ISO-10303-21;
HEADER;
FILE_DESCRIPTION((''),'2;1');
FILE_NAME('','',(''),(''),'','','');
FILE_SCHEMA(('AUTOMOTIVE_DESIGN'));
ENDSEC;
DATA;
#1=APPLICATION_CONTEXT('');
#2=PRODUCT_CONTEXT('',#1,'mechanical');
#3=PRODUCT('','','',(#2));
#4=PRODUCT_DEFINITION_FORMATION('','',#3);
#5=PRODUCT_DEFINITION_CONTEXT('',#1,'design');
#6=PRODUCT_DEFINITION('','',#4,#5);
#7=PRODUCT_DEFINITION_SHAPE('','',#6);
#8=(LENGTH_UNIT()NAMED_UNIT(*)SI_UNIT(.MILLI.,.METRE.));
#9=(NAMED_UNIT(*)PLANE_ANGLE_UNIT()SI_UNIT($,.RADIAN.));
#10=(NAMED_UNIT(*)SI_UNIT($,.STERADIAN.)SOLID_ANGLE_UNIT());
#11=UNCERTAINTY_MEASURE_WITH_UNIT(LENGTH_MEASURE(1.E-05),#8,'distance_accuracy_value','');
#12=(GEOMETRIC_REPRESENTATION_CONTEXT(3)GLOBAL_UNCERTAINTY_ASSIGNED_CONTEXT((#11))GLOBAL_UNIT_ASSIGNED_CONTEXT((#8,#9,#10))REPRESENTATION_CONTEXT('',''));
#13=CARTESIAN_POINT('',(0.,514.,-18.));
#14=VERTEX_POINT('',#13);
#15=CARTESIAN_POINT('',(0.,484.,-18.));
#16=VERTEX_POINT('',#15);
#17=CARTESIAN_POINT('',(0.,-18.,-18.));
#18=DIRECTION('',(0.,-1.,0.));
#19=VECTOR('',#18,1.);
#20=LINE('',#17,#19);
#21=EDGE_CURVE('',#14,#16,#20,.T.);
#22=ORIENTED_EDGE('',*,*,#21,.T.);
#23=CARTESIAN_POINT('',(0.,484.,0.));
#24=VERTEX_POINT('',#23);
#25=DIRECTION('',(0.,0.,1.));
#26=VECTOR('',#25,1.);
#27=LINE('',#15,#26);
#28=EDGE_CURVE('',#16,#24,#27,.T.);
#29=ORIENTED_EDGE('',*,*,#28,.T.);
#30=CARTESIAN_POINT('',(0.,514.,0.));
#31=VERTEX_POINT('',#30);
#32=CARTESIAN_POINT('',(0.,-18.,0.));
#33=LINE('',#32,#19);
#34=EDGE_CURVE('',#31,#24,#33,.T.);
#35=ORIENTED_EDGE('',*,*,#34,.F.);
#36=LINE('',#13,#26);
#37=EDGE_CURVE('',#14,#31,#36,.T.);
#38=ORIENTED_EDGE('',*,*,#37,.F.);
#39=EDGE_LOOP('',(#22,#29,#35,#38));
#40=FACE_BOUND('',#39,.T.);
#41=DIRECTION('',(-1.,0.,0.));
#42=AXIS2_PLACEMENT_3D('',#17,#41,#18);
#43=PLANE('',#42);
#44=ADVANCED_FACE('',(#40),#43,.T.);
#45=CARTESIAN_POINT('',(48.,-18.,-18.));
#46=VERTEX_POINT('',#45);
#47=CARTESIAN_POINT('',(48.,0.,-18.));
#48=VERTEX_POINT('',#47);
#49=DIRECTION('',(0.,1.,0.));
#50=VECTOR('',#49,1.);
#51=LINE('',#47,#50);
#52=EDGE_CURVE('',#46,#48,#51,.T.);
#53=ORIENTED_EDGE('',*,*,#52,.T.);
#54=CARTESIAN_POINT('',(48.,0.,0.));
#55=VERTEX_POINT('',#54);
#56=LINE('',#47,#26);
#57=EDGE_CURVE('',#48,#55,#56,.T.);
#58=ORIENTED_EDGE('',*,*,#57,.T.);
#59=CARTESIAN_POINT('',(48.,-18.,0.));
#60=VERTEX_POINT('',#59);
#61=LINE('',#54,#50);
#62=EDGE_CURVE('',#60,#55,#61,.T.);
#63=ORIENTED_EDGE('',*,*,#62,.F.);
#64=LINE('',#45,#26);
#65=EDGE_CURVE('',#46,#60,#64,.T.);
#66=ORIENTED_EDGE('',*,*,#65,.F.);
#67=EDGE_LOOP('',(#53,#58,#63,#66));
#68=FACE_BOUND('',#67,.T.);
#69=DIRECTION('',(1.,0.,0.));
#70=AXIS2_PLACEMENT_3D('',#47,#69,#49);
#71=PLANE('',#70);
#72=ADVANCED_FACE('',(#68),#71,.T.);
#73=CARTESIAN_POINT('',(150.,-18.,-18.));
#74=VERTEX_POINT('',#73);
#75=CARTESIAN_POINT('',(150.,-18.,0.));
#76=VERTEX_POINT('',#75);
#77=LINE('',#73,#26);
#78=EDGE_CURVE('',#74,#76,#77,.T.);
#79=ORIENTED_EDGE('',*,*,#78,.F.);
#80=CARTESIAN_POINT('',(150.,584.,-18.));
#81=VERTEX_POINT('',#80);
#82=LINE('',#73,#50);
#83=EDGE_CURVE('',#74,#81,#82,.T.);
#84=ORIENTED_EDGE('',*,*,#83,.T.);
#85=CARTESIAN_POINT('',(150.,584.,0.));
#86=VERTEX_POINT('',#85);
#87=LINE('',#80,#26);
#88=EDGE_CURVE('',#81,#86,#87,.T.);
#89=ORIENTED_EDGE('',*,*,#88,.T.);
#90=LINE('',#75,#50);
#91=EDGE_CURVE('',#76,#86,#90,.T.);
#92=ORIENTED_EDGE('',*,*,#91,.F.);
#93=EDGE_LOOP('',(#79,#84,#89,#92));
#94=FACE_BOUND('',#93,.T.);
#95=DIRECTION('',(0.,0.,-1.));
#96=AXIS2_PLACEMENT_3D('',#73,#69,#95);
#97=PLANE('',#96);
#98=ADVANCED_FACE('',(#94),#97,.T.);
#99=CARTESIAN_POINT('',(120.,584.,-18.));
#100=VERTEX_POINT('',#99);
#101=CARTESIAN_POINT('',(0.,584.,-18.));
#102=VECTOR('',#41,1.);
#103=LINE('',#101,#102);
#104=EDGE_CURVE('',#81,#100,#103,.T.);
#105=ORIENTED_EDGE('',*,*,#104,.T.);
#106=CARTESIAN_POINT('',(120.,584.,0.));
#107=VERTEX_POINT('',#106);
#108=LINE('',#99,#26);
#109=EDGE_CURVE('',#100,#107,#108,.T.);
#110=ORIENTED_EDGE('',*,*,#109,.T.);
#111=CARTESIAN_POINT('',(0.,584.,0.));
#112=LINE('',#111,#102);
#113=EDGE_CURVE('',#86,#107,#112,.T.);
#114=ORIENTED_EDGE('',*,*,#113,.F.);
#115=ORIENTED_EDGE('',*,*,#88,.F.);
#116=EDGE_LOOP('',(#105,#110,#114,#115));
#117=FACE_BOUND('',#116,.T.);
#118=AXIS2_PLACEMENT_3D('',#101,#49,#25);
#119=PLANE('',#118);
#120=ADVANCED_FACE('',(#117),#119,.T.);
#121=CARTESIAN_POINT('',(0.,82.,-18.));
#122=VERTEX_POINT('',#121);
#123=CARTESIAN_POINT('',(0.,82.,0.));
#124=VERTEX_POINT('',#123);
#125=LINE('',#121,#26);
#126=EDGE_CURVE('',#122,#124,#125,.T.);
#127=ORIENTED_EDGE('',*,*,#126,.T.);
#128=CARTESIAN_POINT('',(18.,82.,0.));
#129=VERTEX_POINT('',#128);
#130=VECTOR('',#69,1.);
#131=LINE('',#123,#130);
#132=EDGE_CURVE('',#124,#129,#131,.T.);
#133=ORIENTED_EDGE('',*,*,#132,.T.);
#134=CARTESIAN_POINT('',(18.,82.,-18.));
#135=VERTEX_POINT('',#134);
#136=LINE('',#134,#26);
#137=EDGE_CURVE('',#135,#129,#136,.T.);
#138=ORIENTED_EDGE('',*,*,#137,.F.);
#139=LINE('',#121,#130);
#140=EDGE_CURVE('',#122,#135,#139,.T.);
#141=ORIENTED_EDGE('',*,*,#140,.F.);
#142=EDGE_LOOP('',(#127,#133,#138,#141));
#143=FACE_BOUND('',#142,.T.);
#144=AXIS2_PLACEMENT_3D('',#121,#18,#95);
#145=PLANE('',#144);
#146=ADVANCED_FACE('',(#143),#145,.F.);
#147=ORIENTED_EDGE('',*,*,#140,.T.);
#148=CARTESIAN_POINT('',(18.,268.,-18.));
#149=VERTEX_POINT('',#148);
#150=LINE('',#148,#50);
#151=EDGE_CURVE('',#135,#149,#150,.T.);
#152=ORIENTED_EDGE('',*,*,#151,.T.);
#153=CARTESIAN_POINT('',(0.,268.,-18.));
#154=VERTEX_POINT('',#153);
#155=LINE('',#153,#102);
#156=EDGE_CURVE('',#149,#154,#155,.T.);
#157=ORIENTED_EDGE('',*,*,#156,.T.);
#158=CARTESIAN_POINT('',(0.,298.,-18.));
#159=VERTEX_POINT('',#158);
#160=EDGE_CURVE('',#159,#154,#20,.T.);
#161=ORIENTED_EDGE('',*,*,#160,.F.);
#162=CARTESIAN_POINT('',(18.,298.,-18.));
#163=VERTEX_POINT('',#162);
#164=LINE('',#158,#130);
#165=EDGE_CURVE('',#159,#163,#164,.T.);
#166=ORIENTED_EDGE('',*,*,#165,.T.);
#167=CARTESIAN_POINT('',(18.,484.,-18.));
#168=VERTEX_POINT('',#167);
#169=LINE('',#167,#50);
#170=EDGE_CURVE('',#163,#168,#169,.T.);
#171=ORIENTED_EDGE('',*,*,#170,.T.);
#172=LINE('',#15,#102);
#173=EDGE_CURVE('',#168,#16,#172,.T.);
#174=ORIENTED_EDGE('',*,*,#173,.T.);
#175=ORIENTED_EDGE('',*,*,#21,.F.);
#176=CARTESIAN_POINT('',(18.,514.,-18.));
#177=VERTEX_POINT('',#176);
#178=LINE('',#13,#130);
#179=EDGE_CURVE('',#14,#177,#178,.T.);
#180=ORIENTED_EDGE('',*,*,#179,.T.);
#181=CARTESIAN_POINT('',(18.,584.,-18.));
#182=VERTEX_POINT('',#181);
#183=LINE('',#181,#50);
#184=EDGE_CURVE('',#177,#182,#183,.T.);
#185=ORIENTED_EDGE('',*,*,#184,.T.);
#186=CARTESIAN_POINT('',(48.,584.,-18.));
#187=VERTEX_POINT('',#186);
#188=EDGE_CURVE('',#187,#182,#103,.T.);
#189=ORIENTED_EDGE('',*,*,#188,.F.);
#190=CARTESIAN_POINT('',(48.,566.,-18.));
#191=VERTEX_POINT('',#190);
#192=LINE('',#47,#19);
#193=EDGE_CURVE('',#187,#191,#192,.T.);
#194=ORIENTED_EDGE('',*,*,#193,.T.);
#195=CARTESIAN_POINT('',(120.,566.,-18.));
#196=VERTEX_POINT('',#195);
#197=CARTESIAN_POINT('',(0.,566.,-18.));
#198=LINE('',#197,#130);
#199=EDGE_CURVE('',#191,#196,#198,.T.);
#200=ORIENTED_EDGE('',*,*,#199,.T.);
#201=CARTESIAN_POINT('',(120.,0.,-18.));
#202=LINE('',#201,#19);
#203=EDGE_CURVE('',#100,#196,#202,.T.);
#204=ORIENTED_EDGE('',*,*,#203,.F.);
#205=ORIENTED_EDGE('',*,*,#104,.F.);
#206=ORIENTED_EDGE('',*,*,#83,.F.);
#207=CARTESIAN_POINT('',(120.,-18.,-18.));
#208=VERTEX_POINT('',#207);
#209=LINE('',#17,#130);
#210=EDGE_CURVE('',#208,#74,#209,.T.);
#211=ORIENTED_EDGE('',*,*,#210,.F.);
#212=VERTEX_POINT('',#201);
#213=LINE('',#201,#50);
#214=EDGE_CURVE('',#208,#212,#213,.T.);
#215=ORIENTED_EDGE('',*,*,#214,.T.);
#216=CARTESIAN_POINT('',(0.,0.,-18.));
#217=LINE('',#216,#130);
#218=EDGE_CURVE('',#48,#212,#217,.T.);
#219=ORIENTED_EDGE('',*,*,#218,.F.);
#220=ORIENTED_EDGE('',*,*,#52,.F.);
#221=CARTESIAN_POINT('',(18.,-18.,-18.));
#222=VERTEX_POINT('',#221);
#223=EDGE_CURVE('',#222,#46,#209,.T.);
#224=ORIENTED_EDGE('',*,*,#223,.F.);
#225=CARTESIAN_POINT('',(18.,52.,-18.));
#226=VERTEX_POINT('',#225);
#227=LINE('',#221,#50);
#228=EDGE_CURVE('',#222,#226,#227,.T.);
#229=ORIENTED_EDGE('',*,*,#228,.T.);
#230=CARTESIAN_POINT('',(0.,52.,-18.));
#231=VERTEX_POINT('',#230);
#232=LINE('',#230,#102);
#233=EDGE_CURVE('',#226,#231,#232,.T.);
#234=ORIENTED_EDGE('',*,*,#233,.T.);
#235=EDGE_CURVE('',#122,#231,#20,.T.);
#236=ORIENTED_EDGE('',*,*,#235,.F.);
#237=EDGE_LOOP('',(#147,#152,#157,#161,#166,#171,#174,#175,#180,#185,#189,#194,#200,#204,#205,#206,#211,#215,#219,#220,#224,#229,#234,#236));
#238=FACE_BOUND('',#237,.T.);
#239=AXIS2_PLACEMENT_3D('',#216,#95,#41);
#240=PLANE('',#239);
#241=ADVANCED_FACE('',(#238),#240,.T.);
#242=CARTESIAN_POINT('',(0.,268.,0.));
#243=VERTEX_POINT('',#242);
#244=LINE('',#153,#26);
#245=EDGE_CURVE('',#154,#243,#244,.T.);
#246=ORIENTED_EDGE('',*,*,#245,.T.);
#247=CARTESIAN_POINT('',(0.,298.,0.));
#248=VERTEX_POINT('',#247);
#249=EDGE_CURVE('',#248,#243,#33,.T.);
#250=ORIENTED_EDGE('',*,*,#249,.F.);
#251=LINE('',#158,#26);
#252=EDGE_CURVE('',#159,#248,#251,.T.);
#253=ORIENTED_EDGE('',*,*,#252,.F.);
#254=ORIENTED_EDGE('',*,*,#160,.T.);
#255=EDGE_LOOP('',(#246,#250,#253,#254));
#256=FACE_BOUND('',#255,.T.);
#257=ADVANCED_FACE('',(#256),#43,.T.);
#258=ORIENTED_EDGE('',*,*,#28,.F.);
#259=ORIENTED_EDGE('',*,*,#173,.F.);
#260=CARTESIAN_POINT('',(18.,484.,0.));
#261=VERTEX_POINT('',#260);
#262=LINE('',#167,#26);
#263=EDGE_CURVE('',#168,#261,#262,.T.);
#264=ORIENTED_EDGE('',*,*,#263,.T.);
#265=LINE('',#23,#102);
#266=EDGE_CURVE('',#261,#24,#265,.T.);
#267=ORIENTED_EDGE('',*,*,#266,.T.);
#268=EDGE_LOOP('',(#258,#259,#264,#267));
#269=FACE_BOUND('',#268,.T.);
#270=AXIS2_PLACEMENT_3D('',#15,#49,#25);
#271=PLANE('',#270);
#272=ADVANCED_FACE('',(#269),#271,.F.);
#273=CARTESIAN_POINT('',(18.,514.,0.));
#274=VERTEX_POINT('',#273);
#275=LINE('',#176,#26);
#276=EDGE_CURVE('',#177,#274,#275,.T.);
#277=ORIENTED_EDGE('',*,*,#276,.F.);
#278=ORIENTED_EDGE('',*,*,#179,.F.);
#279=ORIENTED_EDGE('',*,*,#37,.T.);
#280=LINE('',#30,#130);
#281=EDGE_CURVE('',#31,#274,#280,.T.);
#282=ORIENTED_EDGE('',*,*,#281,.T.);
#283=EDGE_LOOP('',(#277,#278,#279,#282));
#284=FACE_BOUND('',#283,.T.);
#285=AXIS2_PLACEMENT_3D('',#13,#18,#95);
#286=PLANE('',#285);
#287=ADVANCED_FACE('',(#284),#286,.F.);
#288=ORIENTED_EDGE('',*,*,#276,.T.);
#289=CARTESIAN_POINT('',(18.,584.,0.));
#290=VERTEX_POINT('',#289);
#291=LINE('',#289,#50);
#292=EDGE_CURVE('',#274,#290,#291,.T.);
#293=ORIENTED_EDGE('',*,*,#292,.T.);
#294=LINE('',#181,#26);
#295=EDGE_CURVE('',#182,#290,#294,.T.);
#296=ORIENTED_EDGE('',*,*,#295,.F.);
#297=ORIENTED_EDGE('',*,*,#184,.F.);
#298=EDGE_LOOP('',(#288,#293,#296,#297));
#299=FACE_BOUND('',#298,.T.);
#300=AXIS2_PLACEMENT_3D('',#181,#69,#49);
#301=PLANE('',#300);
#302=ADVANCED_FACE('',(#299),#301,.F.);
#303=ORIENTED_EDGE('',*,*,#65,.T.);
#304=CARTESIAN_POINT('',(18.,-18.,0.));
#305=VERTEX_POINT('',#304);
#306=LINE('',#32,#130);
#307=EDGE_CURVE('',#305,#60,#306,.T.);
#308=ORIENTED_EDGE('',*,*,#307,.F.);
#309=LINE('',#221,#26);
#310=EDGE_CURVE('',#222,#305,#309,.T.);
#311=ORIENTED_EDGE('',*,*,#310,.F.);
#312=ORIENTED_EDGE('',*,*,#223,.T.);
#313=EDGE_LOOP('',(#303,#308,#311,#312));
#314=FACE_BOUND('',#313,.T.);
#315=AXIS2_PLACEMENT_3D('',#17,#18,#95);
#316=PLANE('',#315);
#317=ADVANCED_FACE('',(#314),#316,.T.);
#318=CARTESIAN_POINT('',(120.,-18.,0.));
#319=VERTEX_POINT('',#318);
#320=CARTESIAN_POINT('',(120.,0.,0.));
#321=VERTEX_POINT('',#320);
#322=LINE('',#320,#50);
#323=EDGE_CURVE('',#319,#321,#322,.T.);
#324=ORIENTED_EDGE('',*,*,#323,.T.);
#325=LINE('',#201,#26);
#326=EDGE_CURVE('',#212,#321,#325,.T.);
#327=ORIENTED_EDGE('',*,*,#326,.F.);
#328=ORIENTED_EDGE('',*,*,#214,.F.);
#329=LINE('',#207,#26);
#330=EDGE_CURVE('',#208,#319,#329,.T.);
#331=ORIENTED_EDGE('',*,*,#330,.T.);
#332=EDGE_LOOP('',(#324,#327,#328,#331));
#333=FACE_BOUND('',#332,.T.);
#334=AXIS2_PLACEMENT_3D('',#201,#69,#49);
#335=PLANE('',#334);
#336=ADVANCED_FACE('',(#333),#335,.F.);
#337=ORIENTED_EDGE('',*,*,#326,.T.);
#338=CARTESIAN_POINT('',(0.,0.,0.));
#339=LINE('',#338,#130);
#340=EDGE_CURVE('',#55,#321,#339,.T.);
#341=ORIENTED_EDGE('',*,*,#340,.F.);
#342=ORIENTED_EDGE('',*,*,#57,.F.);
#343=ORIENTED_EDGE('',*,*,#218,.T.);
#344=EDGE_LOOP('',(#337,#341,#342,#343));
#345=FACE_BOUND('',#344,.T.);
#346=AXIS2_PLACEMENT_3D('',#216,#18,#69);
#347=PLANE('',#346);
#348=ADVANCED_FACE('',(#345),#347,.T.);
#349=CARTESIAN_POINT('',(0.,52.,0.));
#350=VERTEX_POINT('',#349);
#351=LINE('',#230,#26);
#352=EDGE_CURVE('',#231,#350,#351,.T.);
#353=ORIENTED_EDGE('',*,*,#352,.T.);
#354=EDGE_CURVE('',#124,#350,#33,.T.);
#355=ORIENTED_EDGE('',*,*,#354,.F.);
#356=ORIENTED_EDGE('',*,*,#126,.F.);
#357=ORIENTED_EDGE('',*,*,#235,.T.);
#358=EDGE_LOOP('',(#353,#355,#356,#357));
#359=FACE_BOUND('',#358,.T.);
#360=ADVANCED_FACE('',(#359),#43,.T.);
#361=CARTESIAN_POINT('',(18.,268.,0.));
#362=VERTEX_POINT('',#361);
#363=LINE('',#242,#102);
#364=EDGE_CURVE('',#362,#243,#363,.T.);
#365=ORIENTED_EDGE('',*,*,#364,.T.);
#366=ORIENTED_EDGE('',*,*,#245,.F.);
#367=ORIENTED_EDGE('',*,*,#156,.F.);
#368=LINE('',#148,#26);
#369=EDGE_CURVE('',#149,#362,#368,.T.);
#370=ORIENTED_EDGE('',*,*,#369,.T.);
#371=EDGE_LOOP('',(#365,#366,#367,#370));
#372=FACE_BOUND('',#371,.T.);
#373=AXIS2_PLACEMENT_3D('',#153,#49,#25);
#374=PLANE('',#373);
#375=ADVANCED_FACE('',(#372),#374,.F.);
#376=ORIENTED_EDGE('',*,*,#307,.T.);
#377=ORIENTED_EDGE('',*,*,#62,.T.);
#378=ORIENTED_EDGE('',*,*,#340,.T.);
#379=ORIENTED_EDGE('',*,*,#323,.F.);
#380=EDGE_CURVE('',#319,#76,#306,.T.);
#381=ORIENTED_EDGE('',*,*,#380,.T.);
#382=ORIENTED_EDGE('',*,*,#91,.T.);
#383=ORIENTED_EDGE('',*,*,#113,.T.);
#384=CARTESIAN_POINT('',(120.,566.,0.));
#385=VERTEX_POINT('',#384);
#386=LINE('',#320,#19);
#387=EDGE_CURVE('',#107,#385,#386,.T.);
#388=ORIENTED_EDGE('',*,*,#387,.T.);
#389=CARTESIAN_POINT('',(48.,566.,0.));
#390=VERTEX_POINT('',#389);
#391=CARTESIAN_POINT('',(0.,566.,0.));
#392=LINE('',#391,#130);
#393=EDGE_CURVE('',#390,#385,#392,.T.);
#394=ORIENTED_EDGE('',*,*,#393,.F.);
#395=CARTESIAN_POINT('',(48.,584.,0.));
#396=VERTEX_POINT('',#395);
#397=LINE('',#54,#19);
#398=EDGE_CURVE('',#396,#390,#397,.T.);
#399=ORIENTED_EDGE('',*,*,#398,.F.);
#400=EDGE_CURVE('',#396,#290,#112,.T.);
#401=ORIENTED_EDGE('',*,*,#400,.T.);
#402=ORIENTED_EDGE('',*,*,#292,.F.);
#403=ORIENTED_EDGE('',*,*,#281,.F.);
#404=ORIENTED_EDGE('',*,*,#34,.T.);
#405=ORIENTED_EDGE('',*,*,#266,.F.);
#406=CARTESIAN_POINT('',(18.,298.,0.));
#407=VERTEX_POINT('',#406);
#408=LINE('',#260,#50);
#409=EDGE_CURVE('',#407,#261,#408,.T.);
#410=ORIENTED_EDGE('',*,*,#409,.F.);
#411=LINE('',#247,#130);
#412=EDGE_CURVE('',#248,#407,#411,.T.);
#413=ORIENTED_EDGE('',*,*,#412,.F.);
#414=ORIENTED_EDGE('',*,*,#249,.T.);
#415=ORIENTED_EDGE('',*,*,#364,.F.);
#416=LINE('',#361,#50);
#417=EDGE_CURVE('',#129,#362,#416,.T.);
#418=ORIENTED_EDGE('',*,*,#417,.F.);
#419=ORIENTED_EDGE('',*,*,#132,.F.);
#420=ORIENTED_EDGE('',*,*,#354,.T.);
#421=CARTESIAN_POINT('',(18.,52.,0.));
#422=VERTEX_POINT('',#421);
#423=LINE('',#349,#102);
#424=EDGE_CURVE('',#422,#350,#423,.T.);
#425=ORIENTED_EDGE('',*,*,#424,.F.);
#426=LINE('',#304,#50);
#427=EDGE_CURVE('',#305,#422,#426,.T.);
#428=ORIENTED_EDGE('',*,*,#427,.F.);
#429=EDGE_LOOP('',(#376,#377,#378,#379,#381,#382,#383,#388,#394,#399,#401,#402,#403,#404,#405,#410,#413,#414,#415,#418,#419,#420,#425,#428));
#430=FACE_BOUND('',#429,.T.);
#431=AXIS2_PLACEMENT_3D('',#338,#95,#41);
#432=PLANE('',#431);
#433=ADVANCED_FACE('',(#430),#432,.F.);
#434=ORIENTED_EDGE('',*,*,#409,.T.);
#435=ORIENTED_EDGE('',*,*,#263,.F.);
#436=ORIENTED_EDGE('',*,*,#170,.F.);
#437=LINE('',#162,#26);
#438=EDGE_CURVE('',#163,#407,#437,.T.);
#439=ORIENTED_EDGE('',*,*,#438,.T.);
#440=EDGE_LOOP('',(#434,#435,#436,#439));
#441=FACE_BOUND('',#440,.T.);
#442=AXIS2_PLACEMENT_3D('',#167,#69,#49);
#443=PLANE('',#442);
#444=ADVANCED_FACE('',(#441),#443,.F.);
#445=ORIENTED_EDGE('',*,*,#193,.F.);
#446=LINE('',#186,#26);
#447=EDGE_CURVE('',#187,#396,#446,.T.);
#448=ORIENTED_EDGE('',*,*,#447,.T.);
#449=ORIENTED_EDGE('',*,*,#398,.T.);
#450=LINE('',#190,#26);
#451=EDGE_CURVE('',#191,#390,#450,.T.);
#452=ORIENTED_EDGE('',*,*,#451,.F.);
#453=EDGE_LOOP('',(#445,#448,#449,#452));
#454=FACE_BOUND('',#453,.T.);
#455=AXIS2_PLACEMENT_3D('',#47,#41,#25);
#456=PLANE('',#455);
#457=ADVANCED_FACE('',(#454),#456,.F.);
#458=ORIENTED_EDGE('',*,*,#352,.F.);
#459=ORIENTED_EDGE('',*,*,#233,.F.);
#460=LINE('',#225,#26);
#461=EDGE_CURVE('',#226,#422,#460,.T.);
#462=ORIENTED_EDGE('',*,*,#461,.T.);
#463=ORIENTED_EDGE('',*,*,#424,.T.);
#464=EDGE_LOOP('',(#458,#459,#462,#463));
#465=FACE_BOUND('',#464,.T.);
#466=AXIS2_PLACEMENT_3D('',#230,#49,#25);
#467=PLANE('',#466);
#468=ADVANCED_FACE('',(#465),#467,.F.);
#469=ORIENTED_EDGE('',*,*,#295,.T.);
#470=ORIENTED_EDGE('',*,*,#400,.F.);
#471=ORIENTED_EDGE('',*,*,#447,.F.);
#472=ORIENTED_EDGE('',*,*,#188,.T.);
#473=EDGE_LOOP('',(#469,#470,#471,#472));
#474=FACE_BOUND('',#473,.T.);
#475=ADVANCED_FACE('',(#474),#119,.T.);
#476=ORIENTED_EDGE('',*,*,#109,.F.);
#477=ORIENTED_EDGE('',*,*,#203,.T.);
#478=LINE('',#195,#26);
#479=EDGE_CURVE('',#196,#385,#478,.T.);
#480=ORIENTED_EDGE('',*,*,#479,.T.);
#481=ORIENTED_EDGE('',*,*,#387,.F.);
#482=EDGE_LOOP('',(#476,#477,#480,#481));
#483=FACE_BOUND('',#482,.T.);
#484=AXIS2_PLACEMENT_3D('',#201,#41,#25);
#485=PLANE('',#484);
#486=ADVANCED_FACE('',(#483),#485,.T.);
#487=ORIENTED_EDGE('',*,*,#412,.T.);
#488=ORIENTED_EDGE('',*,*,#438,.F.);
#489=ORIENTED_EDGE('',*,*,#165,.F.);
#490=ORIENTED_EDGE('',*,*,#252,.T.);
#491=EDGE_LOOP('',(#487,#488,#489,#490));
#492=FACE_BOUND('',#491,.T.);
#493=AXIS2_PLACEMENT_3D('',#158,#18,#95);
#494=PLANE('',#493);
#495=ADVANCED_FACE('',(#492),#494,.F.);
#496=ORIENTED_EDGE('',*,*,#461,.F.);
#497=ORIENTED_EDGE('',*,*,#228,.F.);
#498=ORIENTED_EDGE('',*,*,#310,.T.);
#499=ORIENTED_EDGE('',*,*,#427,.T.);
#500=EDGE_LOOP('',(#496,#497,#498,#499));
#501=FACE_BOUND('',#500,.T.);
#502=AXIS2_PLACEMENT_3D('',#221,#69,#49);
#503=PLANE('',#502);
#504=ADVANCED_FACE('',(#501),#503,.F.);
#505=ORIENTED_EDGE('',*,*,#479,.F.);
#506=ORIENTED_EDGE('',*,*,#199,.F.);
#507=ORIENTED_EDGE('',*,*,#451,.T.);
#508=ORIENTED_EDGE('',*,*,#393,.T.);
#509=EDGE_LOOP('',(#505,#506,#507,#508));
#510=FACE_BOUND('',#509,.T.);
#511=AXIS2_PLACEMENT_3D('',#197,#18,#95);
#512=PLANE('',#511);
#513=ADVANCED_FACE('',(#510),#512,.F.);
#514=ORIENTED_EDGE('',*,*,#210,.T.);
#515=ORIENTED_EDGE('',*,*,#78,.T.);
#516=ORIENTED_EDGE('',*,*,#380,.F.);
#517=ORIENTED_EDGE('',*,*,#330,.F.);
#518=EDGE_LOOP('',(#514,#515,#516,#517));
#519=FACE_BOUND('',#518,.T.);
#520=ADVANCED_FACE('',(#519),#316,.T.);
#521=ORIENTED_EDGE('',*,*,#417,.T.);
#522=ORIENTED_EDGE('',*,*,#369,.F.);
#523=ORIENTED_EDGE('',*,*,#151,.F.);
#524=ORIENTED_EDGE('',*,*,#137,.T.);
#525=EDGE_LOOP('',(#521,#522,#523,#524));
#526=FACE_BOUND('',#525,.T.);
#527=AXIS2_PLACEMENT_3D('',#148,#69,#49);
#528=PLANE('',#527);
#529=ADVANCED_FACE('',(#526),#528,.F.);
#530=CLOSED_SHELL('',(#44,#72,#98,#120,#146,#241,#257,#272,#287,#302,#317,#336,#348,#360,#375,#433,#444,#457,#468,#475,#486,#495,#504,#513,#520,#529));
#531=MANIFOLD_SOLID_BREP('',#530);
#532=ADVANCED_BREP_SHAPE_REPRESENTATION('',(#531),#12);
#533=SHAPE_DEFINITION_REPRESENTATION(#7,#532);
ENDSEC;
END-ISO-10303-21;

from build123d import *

# Parameters (mm, degrees)
ESQUISSE1_W             = 150
ESQUISSE1_H             = 602
BOSS_EXTRU_1_DEPTH      = 18
ESQUISSE2_W             = 18
ESQUISSE2_H             = 70
ESQUISSE2_H_2           = 186
ENL_V_MAT_EXTRU_1_DEPTH = 604.224667931
ESQUISSE3_W             = 72
ESQUISSE3_H             = 18
ENL_V_MAT_EXTRU_2_DEPTH = 604.224667931


with BuildPart() as part:
    # Esquisse1 → Boss.-Extru.1 (new body)
    with BuildSketch(Plane.XY):
        with Locations((75, 283)):
            Rectangle(ESQUISSE1_W, ESQUISSE1_H)
    extrude(amount=-BOSS_EXTRU_1_DEPTH)

    # Esquisse2 → Enlèv. mat.-Extru.1 (cut, through all)
    with BuildSketch(Plane.XY):
        with Locations((9, 549)):
            Rectangle(ESQUISSE2_W, ESQUISSE2_H)
        with Locations((9, 391)):
            Rectangle(ESQUISSE2_W, ESQUISSE2_H_2)
        with Locations((9, 175)):
            Rectangle(ESQUISSE2_W, ESQUISSE2_H_2)
        with Locations((9, 17)):
            Rectangle(ESQUISSE2_W, ESQUISSE2_H)
    extrude(amount=-ENL_V_MAT_EXTRU_1_DEPTH, mode=Mode.SUBTRACT)

    # Esquisse3 → Enlèv. mat.-Extru.2 (cut, through all)
    with BuildSketch(Plane.XY):
        with Locations((84, 575)):
            Rectangle(ESQUISSE3_W, ESQUISSE3_H)
        with Locations((84, -9)):
            Rectangle(ESQUISSE3_W, ESQUISSE3_H)
    extrude(amount=-ENL_V_MAT_EXTRU_2_DEPTH, mode=Mode.SUBTRACT)


solid = part.part
